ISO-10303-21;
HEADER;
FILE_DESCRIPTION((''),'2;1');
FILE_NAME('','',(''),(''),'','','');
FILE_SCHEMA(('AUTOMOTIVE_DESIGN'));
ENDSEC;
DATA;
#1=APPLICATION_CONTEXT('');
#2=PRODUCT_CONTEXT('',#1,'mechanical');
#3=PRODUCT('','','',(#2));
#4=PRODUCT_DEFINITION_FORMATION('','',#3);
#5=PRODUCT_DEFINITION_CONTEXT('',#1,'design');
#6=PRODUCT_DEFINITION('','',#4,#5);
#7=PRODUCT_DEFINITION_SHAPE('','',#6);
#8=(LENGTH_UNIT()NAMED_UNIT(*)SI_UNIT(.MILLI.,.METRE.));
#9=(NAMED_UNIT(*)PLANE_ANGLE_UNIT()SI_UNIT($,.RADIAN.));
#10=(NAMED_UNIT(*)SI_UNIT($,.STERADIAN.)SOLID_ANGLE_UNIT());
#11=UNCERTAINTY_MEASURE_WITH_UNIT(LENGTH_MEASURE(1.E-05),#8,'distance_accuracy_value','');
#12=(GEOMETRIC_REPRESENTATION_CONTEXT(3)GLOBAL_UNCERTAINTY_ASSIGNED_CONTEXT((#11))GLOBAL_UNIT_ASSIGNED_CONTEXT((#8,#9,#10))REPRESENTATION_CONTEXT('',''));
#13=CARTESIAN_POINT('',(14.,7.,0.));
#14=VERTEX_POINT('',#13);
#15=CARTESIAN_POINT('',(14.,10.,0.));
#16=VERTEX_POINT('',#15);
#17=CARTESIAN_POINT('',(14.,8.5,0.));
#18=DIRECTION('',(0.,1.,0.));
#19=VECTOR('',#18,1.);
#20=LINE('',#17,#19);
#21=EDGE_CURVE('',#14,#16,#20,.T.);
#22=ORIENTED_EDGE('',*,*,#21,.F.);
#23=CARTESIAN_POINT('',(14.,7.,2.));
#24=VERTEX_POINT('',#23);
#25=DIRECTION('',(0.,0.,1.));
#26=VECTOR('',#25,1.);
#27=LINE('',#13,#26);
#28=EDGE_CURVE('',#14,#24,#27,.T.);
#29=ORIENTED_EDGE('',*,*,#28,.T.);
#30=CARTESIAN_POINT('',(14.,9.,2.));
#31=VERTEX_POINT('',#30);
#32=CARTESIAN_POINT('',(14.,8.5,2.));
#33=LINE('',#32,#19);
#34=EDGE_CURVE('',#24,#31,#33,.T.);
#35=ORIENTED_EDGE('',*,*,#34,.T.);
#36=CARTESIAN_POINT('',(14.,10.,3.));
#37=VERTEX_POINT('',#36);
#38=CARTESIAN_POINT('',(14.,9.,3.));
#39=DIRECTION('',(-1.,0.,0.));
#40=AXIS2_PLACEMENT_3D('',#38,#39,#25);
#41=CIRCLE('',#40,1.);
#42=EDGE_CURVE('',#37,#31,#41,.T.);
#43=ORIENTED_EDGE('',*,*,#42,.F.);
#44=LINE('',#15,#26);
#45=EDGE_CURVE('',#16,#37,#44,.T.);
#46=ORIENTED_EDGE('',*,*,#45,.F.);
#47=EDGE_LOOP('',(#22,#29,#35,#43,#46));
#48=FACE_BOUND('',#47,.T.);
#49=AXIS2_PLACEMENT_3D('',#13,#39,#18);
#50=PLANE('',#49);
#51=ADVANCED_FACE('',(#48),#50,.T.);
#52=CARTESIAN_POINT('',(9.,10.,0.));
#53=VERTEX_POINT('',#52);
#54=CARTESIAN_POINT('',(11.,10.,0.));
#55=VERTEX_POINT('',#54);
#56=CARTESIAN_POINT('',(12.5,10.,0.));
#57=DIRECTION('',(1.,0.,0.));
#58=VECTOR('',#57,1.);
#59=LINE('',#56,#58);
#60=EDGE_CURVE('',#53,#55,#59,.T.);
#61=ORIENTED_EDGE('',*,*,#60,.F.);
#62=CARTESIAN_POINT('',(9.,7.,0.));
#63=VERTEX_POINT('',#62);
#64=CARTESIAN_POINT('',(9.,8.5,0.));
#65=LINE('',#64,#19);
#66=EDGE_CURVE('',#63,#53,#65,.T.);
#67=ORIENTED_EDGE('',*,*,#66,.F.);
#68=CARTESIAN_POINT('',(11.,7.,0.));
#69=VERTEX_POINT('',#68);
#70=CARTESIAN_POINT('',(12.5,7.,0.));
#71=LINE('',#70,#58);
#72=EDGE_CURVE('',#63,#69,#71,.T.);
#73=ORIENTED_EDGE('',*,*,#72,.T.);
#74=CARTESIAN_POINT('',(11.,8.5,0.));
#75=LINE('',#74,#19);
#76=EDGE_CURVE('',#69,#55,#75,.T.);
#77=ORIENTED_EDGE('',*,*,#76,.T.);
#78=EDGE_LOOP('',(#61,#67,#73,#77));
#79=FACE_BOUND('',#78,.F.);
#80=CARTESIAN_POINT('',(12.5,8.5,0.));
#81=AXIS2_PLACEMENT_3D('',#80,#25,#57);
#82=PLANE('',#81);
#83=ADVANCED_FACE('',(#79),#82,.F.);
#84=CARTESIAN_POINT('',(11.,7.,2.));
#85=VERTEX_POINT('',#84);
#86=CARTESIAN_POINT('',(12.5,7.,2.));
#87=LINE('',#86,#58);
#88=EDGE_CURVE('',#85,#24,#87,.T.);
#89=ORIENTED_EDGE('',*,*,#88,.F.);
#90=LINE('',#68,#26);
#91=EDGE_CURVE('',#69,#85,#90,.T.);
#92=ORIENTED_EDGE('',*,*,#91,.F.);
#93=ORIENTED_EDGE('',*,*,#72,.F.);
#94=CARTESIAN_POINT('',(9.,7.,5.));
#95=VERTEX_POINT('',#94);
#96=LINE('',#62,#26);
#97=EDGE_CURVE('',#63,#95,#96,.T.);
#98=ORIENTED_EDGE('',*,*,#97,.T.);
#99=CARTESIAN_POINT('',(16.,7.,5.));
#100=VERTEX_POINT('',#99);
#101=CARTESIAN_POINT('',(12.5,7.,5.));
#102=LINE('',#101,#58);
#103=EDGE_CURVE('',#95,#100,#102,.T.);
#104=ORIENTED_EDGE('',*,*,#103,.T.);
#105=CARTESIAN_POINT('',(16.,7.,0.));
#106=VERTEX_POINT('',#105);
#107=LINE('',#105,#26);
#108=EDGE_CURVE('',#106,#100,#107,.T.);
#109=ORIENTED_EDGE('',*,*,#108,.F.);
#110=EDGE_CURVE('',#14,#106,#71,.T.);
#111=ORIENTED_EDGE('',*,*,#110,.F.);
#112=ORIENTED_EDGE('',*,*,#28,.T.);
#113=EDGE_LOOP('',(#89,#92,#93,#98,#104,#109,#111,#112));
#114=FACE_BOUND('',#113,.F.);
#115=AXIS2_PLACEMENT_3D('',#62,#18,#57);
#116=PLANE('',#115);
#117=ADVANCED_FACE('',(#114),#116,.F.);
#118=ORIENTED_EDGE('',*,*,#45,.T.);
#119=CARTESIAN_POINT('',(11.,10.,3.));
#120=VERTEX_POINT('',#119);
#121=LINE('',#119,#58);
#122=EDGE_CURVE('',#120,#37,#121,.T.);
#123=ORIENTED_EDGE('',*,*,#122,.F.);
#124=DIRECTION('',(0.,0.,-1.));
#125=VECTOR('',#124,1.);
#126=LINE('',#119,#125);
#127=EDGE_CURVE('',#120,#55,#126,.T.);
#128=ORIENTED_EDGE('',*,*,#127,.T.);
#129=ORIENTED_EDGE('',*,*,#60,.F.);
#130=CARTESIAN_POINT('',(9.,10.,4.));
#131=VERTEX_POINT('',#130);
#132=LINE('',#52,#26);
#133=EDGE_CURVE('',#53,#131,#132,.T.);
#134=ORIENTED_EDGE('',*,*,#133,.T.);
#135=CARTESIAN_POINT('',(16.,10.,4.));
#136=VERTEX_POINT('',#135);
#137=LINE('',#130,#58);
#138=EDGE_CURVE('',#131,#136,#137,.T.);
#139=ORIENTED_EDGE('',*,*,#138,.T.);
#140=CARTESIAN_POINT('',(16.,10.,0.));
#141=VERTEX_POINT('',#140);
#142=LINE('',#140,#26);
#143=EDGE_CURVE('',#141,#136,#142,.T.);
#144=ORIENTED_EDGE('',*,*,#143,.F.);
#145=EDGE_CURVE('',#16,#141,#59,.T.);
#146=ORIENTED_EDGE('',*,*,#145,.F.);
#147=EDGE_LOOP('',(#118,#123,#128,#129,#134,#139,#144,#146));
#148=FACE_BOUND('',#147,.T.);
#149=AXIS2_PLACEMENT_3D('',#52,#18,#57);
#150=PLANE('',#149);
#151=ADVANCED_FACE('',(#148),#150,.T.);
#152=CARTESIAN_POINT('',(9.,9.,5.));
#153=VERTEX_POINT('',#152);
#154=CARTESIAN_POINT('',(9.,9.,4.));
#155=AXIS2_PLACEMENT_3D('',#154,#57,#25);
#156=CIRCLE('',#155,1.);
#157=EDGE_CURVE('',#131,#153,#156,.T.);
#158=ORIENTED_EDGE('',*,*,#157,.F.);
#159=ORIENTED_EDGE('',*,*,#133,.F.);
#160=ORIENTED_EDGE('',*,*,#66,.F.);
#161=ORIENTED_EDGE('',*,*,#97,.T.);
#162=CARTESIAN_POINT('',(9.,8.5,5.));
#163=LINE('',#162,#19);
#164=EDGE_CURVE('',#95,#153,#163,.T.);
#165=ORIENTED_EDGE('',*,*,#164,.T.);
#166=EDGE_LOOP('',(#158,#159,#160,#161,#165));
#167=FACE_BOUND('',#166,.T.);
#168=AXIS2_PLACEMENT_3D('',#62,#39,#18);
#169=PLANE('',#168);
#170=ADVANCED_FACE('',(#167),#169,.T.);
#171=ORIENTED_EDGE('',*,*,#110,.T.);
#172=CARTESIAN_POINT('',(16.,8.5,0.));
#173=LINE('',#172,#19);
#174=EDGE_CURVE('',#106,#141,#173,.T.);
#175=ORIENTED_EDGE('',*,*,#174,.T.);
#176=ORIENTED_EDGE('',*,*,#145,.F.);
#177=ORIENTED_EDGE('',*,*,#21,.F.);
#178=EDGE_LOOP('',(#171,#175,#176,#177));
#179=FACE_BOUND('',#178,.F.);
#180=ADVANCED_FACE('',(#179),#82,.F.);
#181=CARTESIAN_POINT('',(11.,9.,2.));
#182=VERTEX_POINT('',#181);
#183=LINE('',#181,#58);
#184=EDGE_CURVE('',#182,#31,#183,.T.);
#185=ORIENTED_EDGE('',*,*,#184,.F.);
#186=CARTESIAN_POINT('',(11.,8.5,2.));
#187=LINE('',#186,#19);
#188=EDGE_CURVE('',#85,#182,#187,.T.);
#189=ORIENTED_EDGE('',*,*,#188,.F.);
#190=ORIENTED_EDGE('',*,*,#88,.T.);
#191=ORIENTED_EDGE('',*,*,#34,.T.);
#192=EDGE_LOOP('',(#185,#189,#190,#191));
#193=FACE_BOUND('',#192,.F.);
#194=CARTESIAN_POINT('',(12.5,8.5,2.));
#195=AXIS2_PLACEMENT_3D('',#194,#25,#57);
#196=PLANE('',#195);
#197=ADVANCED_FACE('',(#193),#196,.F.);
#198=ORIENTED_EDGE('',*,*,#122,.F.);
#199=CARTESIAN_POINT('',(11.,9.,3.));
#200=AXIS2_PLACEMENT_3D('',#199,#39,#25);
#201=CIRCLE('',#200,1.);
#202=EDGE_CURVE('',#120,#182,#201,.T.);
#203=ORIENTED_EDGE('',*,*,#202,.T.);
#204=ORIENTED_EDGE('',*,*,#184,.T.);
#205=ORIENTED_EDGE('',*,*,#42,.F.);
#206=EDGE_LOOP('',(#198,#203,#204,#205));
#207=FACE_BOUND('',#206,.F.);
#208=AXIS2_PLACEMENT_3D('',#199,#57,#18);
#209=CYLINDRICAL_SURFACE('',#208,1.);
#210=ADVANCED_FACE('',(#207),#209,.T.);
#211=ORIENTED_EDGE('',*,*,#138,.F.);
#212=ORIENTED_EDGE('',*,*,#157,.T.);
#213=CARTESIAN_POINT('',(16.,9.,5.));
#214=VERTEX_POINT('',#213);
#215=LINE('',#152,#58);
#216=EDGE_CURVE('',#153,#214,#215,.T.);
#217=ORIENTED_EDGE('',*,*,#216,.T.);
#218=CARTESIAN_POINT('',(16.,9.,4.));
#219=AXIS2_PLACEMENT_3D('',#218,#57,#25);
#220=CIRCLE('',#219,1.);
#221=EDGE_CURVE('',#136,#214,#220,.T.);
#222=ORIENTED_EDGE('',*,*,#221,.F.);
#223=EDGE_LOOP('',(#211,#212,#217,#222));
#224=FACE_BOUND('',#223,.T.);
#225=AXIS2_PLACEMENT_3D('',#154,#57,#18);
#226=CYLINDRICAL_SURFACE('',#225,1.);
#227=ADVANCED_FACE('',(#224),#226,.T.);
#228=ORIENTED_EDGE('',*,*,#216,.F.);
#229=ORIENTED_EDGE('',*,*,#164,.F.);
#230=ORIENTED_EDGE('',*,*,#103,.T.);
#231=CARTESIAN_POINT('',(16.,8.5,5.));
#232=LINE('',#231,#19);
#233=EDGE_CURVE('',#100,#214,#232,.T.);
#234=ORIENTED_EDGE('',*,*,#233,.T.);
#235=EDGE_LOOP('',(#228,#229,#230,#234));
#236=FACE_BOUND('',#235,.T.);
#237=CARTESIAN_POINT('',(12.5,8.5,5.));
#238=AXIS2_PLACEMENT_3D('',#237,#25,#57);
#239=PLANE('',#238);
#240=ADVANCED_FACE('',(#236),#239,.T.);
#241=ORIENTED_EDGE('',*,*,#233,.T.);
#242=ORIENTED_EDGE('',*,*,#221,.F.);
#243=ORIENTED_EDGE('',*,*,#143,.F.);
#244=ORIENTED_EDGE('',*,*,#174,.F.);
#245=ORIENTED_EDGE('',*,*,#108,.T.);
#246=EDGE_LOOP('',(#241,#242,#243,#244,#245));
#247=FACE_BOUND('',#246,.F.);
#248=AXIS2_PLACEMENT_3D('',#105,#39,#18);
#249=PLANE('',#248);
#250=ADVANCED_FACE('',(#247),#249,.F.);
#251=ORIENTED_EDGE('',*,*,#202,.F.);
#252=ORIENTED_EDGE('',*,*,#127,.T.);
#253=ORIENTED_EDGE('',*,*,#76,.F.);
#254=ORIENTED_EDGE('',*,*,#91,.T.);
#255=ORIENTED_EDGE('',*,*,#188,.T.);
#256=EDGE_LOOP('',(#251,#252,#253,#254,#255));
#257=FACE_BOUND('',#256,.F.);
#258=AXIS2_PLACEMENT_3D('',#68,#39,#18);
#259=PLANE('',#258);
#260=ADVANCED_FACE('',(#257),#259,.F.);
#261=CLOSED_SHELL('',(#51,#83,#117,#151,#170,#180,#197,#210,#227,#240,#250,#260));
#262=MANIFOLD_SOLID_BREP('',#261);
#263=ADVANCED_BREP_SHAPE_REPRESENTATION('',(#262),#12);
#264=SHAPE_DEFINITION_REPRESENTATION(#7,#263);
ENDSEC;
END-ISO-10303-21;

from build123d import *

# Parameters (mm, degrees)
BOX022_W     = 3
BOX022_H     = 3
BOX022_DEPTH = 2
BOX021_W     = 7
BOX021_H     = 3
BOX021_DEPTH = 5
FILLET_R     = 1
FILLET001_R  = 1


with BuildPart() as cube022:
    # Box022 → Box022 (new body)
    with BuildSketch(Plane(origin=(13, 7, 0), x_dir=(1, 0, 0), z_dir=(0, 0, 1))):
        with Locations((1.5, 1.5)):
            Rectangle(BOX022_W, BOX022_H)
    extrude(amount=BOX022_DEPTH)


with BuildPart() as fillet001:
    # Box021 → Box021 (new body)
    with BuildSketch(Plane(origin=(11, 7, 0), x_dir=(1, 0, 0), z_dir=(0, 0, 1))):
        with Locations((3.5, 1.5)):
            Rectangle(BOX021_W, BOX021_H)
    extrude(amount=BOX021_DEPTH)

    # Cut002: cut Cube022
    add(cube022.part, mode=Mode.SUBTRACT)

    # Fillet
    fillet_edges = [fillet001.edges().sort_by_distance(p)[0] for p in [
        (14.5, 10, 2),
    ]]
    fillet(fillet_edges, radius=FILLET_R)


with BuildPart() as fillet001_1:
    # Fillet placement: moved
    add(fillet001.part.moved(Location((-1, 0, 0))))

    # Fillet001
    fillet001_edges = [fillet001_1.edges().sort_by_distance(p)[0] for p in [
        (13.5, 10, 5),
    ]]
    fillet(fillet001_edges, radius=FILLET001_R)


with BuildPart() as fillet001_2:
    # Fillet001 placement: moved
    add(fillet001_1.part.moved(Location((-1, 0, 0))))


solid = fillet001_2.part
